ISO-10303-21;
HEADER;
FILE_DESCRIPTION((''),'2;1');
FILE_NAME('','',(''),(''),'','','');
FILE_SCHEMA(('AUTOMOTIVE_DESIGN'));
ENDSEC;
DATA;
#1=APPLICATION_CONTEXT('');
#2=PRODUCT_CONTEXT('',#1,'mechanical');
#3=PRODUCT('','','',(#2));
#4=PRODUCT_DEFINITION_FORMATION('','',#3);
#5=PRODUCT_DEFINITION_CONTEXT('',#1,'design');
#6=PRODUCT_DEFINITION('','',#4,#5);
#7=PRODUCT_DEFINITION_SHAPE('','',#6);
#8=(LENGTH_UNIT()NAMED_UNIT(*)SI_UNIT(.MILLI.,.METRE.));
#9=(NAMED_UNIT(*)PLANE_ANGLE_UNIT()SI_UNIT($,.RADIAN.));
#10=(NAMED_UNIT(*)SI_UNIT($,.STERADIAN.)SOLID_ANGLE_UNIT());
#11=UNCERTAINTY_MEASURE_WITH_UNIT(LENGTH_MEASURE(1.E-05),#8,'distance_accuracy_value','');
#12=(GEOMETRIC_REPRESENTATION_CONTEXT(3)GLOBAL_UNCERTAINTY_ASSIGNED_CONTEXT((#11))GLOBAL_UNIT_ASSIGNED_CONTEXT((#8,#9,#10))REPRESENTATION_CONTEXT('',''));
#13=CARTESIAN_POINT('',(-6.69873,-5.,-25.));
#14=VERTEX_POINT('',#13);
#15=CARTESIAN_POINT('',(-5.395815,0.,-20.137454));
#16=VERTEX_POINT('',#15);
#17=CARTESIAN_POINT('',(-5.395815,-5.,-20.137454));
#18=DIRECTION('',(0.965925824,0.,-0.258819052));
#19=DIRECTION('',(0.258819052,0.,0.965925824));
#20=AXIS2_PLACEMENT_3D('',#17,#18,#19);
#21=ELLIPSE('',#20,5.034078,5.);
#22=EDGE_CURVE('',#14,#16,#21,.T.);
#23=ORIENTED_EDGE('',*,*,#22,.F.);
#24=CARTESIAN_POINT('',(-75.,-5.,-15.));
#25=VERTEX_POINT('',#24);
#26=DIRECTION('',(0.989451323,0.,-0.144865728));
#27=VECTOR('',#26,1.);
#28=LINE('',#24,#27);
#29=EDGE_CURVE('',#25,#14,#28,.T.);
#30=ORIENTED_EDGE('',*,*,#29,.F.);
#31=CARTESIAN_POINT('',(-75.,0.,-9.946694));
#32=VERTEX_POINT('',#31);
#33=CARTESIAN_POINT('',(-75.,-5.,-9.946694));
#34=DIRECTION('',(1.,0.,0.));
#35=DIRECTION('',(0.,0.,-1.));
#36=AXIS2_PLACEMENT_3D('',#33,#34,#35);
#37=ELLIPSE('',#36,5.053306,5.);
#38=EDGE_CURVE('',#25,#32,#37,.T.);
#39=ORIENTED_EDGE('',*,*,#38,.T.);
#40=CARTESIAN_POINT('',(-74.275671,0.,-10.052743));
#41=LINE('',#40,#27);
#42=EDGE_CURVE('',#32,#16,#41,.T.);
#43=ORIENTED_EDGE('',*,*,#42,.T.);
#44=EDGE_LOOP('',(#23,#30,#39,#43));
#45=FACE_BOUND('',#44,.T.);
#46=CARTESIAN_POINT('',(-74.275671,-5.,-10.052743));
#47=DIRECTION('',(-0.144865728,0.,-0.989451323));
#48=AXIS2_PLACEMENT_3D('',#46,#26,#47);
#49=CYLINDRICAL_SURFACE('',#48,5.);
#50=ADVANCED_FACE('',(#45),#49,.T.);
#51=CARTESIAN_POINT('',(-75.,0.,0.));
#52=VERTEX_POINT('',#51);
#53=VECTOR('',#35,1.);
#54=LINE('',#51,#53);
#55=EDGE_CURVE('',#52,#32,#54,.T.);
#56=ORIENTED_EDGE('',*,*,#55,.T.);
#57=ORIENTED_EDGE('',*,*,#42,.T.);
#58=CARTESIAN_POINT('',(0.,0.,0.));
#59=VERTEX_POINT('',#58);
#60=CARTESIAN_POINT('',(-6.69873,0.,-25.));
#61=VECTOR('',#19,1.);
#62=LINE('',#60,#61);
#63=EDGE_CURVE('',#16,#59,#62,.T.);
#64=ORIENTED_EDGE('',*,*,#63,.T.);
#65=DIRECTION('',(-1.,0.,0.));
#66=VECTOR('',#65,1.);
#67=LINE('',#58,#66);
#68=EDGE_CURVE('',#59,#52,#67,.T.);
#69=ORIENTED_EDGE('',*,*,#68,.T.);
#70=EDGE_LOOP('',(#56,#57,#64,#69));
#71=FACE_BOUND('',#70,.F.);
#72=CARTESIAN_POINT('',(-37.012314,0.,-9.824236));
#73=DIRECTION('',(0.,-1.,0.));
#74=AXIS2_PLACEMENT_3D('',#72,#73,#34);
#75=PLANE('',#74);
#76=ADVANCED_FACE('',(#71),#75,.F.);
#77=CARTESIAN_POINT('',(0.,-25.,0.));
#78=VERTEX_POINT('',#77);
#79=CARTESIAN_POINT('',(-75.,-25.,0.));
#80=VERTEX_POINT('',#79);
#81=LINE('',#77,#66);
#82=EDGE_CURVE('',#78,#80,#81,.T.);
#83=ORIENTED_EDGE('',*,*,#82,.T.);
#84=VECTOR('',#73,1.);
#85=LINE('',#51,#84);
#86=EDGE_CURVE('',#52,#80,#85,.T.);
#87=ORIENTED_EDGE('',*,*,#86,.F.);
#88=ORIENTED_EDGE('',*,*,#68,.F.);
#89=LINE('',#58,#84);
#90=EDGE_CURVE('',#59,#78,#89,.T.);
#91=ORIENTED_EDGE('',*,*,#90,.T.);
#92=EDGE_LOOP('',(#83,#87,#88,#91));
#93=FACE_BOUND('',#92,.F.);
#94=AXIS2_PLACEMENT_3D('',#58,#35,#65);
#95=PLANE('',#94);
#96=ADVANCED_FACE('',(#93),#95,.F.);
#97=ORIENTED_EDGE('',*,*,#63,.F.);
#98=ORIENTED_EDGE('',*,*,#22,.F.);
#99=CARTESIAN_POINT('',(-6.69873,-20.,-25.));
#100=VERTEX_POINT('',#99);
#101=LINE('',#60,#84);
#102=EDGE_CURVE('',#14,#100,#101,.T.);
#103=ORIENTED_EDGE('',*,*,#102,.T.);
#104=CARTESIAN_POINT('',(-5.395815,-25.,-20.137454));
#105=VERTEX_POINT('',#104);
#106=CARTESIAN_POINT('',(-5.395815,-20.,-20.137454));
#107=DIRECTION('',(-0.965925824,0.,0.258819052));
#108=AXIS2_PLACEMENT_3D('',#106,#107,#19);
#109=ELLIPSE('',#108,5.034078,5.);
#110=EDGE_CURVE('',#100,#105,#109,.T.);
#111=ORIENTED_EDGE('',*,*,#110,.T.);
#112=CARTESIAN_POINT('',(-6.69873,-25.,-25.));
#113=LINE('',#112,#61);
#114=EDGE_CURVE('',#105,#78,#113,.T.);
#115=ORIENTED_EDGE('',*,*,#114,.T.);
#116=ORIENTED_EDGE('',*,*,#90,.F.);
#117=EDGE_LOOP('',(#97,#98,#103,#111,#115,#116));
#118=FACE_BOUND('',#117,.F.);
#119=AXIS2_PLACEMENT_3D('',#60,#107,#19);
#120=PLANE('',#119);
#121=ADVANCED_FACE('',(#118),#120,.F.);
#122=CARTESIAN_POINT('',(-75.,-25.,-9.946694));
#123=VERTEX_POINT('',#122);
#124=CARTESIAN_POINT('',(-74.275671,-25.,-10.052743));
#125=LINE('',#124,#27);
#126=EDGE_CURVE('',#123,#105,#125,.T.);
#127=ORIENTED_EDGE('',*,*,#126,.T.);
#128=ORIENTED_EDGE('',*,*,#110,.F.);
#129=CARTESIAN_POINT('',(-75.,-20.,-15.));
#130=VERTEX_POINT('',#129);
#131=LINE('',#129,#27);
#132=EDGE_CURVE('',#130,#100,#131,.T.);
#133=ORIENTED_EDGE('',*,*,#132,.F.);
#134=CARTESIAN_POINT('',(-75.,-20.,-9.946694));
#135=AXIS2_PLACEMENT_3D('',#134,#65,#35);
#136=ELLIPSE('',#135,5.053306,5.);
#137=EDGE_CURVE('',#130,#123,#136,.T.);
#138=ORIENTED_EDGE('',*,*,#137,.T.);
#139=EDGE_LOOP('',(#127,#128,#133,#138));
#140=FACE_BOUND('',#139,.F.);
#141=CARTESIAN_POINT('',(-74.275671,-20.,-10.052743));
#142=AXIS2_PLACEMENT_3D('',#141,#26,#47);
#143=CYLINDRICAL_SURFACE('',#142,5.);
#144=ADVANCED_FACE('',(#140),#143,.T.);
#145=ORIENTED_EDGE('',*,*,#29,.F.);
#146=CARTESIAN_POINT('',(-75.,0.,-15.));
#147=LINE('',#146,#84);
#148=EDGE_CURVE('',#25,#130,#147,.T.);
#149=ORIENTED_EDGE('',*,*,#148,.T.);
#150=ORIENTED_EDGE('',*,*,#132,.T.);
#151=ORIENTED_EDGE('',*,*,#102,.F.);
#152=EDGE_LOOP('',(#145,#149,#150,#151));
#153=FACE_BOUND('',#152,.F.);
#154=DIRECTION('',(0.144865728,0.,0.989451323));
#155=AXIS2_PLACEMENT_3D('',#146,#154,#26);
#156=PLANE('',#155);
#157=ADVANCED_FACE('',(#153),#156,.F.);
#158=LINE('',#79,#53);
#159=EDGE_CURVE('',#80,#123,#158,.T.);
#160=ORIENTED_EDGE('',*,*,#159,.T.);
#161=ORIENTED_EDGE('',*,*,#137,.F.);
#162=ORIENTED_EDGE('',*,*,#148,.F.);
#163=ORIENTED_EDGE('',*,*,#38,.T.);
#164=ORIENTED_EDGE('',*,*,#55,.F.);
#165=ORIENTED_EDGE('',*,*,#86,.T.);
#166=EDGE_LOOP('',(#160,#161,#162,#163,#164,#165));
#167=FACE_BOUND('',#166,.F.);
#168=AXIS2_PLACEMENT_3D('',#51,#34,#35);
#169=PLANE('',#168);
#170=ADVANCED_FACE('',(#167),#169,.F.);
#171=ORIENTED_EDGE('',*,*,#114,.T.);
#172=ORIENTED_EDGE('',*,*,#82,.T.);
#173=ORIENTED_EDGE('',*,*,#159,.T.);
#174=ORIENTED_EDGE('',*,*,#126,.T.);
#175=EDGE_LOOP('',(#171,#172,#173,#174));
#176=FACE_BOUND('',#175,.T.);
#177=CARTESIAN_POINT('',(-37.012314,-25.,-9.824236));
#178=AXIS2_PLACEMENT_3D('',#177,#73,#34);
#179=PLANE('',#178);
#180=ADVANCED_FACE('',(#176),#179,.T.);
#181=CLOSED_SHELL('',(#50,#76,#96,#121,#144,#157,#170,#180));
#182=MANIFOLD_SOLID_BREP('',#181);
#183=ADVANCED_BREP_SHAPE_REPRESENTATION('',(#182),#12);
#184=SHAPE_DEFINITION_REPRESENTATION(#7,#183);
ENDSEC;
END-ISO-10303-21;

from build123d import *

# Parameters (mm, degrees)
F1_DEPTH = 25
F2_R     = 5


with BuildPart() as f1:
    # F0 (on Front) → F1 (new body)
    with BuildSketch(Plane.XZ):
        Polygon((-6.69873, -25), (0, 0), (-75, 0), (-75, -15), align=None)
    extrude(amount=F1_DEPTH)

    # F2
    f2_edges = [f1.edges().sort_by_distance(p)[0] for p in [
        (-40.849365, -25, -20),
        (-40.849365, 0, -20),
    ]]
    fillet(f2_edges, radius=F2_R)


solid = f1.part
